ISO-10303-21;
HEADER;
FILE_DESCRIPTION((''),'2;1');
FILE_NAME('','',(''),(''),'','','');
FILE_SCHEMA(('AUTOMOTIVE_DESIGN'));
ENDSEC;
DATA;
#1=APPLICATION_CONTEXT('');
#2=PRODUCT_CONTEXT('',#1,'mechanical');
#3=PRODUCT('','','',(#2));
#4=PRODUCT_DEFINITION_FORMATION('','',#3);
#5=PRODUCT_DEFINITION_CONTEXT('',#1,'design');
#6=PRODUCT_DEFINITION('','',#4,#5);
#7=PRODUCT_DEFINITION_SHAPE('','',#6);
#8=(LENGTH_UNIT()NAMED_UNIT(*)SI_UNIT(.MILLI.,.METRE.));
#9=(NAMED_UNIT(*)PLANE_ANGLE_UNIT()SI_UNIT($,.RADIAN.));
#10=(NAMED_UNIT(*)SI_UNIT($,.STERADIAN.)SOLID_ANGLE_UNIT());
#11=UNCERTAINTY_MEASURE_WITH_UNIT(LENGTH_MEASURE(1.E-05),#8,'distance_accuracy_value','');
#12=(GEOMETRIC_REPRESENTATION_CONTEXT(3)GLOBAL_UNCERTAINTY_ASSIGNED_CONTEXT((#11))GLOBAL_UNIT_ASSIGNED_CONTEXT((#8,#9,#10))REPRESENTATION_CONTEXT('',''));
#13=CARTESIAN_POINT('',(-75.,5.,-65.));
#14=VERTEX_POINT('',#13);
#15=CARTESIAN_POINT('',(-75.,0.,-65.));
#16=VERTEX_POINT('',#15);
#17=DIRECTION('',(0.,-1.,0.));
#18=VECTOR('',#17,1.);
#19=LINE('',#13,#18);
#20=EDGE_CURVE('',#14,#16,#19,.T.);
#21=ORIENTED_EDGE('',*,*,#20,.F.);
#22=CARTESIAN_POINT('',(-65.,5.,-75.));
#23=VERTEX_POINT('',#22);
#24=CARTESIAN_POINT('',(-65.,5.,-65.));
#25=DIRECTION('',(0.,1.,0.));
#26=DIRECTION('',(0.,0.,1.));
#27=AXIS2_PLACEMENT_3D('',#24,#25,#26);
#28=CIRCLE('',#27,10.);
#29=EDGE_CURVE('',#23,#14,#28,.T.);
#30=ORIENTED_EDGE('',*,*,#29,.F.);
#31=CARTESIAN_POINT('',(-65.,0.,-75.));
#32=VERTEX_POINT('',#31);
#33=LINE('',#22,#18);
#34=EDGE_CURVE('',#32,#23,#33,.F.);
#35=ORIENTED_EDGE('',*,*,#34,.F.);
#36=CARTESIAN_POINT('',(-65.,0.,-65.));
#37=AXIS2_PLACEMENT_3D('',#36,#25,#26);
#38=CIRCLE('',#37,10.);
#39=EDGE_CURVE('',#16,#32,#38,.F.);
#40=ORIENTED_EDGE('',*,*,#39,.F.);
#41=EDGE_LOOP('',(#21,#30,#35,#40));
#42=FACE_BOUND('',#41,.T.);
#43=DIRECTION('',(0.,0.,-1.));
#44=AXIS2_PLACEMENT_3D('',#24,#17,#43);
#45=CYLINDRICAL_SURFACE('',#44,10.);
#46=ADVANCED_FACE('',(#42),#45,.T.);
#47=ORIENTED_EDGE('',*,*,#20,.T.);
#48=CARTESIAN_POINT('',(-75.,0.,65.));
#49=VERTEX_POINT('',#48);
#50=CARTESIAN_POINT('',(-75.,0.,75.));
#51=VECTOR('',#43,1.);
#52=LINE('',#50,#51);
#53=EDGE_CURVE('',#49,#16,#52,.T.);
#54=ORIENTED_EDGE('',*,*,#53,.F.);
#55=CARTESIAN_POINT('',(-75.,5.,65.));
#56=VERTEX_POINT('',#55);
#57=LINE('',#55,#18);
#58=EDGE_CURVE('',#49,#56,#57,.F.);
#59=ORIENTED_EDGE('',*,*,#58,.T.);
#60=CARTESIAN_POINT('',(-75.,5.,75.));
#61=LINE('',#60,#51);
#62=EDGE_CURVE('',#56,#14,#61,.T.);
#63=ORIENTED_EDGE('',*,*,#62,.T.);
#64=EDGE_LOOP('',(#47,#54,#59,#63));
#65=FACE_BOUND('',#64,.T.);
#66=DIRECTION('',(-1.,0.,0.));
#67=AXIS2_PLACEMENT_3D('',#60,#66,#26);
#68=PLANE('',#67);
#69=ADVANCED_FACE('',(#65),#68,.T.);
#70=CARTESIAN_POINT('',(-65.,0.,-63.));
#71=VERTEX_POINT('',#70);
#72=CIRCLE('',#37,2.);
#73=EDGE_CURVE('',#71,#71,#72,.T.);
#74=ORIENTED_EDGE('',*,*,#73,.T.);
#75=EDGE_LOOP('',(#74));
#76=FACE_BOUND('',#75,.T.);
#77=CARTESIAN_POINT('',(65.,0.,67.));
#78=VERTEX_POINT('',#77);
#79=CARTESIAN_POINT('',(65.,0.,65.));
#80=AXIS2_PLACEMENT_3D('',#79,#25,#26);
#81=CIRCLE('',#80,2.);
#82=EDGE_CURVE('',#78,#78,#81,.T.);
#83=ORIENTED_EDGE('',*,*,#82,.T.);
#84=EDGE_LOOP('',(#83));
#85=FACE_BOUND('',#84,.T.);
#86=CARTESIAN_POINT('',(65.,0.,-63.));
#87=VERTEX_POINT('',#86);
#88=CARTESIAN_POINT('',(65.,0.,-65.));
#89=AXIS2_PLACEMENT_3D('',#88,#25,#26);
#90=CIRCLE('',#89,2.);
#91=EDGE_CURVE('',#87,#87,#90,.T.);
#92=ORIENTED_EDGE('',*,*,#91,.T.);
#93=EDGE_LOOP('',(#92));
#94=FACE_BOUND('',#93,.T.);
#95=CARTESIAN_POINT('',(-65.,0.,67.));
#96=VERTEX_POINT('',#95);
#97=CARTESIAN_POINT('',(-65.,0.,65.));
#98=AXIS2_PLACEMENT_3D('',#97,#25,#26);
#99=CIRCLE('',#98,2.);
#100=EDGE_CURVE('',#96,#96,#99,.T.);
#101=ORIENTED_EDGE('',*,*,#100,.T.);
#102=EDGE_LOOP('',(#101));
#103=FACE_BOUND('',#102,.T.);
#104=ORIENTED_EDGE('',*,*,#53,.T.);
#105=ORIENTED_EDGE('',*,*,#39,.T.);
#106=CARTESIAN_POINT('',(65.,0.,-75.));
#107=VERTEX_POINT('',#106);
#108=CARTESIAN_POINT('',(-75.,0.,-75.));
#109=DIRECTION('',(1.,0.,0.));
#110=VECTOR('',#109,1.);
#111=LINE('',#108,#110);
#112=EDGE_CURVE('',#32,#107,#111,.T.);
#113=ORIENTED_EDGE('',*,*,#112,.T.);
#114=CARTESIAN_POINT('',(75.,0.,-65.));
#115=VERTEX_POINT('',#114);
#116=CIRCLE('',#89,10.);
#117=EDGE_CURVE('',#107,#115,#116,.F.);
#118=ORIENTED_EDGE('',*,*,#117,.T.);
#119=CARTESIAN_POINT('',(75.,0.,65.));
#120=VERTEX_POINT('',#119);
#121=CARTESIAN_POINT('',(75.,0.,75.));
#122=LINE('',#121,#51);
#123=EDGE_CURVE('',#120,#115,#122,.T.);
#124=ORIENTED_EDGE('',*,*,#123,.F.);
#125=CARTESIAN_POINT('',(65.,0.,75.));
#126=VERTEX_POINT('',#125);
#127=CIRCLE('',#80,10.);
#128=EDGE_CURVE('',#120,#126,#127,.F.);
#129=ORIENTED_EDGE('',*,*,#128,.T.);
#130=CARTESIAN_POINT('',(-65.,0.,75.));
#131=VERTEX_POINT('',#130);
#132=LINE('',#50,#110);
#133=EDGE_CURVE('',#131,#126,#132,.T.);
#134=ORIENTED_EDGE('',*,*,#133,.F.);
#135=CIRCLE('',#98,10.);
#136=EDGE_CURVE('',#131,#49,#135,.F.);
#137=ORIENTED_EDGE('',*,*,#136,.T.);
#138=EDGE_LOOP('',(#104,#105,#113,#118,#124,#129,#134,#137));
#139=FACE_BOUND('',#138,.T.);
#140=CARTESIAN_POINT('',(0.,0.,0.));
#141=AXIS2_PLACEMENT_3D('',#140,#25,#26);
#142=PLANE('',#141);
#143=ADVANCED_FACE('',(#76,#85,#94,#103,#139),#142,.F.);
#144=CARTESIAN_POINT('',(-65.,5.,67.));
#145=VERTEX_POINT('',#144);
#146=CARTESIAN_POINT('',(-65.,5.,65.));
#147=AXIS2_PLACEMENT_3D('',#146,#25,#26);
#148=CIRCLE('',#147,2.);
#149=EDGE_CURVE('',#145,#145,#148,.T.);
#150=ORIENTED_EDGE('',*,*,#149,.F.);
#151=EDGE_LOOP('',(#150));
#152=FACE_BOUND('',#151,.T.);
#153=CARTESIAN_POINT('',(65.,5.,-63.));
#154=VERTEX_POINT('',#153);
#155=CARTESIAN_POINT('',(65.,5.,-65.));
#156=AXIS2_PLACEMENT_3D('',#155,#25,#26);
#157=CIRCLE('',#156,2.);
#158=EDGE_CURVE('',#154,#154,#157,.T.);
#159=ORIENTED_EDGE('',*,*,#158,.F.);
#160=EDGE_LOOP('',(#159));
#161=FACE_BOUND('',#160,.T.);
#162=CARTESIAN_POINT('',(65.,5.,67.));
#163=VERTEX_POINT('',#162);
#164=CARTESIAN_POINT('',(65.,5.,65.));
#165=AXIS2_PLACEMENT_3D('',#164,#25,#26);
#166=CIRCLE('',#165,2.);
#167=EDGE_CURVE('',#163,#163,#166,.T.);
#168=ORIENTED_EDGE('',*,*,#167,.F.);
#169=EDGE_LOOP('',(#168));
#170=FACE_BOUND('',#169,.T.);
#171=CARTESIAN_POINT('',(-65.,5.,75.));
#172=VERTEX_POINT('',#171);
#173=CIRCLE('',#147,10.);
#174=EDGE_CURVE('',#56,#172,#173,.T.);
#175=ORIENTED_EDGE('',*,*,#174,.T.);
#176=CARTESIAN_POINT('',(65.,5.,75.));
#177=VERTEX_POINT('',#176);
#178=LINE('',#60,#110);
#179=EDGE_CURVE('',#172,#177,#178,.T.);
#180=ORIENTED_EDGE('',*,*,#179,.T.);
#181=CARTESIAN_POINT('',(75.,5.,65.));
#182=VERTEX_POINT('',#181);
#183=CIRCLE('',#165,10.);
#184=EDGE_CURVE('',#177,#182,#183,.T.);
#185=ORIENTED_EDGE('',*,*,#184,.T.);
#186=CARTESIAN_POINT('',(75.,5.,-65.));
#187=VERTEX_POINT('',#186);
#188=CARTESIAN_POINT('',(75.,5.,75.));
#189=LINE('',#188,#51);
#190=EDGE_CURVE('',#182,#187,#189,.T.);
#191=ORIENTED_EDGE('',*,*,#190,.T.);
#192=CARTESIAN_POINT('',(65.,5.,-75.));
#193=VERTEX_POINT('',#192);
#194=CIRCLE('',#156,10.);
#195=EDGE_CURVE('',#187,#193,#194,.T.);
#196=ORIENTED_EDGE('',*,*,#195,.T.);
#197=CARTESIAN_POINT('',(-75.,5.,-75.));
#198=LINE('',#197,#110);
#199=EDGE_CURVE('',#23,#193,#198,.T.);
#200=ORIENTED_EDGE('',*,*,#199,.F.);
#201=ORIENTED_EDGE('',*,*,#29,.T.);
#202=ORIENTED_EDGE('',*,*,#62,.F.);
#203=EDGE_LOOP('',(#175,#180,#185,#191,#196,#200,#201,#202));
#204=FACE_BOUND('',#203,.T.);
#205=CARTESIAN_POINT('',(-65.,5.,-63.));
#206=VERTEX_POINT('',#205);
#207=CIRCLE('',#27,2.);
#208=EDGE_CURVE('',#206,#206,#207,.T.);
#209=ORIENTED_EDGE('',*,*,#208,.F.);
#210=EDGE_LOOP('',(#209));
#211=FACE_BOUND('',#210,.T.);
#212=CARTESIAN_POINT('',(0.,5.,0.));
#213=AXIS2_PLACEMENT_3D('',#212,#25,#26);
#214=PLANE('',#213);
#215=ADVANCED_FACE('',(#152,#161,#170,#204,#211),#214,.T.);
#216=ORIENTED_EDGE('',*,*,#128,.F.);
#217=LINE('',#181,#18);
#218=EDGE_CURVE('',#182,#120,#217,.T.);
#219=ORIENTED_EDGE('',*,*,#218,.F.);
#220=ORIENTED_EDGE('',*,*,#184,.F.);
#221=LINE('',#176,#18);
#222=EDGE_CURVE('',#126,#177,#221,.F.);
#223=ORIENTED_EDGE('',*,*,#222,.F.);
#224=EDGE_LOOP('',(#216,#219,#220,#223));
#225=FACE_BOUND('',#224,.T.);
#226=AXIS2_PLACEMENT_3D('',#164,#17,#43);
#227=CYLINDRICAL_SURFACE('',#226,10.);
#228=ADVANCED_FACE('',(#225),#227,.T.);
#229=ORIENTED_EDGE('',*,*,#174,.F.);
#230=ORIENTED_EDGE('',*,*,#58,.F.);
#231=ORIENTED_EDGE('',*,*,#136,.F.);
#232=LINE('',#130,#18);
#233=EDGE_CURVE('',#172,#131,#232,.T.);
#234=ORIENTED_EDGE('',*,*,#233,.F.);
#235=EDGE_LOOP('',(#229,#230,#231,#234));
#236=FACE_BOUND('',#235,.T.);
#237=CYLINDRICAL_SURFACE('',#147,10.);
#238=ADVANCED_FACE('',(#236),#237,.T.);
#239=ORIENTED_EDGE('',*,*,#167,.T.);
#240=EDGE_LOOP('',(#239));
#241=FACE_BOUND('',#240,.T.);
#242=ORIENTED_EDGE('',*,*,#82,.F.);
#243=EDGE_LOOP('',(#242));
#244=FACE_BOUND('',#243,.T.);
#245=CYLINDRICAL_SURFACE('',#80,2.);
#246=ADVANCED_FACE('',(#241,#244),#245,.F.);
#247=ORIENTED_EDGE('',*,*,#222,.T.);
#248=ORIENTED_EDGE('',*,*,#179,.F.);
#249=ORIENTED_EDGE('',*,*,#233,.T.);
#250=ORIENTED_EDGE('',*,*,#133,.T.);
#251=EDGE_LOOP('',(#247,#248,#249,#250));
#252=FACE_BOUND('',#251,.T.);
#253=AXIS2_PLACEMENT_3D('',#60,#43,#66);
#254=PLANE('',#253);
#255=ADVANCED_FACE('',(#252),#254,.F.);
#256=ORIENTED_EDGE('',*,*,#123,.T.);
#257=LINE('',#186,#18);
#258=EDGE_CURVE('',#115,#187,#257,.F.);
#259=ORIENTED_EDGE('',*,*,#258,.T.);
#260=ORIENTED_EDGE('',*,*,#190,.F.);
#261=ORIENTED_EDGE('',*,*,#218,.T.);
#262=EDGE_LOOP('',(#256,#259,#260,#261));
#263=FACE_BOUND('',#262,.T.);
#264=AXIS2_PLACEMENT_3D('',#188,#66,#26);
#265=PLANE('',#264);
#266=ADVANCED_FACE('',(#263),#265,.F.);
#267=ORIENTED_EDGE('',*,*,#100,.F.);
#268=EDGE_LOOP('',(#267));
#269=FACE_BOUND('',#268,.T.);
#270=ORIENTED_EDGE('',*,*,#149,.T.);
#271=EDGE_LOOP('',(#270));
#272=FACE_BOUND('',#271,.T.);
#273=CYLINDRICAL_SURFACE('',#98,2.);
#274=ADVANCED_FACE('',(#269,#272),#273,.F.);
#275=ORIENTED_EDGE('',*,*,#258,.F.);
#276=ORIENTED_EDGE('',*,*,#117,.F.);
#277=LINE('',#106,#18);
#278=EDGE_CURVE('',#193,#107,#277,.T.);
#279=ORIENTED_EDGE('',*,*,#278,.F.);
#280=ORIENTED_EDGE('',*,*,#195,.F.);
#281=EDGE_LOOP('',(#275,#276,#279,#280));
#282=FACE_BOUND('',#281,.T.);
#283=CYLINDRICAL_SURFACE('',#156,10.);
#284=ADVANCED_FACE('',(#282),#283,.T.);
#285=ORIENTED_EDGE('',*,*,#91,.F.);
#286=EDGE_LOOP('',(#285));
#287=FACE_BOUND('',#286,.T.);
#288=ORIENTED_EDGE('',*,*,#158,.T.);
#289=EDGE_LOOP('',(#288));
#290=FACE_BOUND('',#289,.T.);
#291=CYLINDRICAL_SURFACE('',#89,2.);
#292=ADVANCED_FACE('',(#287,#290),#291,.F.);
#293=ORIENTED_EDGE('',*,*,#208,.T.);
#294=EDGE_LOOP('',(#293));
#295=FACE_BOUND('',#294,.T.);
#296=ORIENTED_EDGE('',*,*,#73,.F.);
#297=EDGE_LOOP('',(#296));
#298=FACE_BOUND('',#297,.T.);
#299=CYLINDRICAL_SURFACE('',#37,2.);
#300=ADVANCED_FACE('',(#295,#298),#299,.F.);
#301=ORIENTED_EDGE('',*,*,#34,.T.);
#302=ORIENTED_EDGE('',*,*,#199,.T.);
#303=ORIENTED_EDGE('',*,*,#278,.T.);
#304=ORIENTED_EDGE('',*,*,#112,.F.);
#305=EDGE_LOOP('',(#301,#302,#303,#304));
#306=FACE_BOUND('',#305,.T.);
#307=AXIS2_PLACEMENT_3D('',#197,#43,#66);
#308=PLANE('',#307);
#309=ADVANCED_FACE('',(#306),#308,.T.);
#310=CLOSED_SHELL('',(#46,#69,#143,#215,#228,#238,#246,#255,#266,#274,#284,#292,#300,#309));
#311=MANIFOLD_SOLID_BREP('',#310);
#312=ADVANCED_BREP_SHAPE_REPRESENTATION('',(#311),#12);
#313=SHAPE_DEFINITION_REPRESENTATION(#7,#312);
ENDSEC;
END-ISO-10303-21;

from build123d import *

# Parameters (mm, degrees)
SKETCH1_W           = 150
SKETCH1_H           = 150
BOSS_EXTRUDE1_DEPTH = 5
FILLET1_R           = 10
SKETCH2_R           = 2
CUT_EXTRUDE1_DEPTH  = 107.183802908


with BuildPart() as part:
    # Sketch1 → Boss-Extrude1 (new body)
    with BuildSketch(Plane(origin=(0, 0, 0), x_dir=(1, 0, 0), z_dir=(0, 1, 0))):
        Rectangle(SKETCH1_W, SKETCH1_H)
    extrude(amount=BOSS_EXTRUDE1_DEPTH)

    # Fillet1
    fillet1_edges = [part.edges().sort_by_distance(p)[0] for p in [
        (-75, 2.5, -75),
        (-75, 2.5, 75),
        (75, 2.5, 75),
        (75, 2.5, -75),
    ]]
    fillet(fillet1_edges, radius=FILLET1_R)

    # Sketch2 → Cut-Extrude1 (cut, through all)
    with BuildSketch(Plane(origin=(0, 5, 0), x_dir=(1, 0, 0), z_dir=(0, 1, 0))):
        with Locations(Location((65, 65, 0), (0, 0, 270))):
            Circle(SKETCH2_R)
        with Locations(Location((-65, 65, 0), (0, 0, 270))):
            Circle(SKETCH2_R)
        with Locations(Location((-65, -65, 0), (0, 0, 270))):
            Circle(SKETCH2_R)
        with Locations(Location((65, -65, 0), (0, 0, 270))):
            Circle(SKETCH2_R)
    extrude(amount=-CUT_EXTRUDE1_DEPTH, mode=Mode.SUBTRACT)


solid = part.part
